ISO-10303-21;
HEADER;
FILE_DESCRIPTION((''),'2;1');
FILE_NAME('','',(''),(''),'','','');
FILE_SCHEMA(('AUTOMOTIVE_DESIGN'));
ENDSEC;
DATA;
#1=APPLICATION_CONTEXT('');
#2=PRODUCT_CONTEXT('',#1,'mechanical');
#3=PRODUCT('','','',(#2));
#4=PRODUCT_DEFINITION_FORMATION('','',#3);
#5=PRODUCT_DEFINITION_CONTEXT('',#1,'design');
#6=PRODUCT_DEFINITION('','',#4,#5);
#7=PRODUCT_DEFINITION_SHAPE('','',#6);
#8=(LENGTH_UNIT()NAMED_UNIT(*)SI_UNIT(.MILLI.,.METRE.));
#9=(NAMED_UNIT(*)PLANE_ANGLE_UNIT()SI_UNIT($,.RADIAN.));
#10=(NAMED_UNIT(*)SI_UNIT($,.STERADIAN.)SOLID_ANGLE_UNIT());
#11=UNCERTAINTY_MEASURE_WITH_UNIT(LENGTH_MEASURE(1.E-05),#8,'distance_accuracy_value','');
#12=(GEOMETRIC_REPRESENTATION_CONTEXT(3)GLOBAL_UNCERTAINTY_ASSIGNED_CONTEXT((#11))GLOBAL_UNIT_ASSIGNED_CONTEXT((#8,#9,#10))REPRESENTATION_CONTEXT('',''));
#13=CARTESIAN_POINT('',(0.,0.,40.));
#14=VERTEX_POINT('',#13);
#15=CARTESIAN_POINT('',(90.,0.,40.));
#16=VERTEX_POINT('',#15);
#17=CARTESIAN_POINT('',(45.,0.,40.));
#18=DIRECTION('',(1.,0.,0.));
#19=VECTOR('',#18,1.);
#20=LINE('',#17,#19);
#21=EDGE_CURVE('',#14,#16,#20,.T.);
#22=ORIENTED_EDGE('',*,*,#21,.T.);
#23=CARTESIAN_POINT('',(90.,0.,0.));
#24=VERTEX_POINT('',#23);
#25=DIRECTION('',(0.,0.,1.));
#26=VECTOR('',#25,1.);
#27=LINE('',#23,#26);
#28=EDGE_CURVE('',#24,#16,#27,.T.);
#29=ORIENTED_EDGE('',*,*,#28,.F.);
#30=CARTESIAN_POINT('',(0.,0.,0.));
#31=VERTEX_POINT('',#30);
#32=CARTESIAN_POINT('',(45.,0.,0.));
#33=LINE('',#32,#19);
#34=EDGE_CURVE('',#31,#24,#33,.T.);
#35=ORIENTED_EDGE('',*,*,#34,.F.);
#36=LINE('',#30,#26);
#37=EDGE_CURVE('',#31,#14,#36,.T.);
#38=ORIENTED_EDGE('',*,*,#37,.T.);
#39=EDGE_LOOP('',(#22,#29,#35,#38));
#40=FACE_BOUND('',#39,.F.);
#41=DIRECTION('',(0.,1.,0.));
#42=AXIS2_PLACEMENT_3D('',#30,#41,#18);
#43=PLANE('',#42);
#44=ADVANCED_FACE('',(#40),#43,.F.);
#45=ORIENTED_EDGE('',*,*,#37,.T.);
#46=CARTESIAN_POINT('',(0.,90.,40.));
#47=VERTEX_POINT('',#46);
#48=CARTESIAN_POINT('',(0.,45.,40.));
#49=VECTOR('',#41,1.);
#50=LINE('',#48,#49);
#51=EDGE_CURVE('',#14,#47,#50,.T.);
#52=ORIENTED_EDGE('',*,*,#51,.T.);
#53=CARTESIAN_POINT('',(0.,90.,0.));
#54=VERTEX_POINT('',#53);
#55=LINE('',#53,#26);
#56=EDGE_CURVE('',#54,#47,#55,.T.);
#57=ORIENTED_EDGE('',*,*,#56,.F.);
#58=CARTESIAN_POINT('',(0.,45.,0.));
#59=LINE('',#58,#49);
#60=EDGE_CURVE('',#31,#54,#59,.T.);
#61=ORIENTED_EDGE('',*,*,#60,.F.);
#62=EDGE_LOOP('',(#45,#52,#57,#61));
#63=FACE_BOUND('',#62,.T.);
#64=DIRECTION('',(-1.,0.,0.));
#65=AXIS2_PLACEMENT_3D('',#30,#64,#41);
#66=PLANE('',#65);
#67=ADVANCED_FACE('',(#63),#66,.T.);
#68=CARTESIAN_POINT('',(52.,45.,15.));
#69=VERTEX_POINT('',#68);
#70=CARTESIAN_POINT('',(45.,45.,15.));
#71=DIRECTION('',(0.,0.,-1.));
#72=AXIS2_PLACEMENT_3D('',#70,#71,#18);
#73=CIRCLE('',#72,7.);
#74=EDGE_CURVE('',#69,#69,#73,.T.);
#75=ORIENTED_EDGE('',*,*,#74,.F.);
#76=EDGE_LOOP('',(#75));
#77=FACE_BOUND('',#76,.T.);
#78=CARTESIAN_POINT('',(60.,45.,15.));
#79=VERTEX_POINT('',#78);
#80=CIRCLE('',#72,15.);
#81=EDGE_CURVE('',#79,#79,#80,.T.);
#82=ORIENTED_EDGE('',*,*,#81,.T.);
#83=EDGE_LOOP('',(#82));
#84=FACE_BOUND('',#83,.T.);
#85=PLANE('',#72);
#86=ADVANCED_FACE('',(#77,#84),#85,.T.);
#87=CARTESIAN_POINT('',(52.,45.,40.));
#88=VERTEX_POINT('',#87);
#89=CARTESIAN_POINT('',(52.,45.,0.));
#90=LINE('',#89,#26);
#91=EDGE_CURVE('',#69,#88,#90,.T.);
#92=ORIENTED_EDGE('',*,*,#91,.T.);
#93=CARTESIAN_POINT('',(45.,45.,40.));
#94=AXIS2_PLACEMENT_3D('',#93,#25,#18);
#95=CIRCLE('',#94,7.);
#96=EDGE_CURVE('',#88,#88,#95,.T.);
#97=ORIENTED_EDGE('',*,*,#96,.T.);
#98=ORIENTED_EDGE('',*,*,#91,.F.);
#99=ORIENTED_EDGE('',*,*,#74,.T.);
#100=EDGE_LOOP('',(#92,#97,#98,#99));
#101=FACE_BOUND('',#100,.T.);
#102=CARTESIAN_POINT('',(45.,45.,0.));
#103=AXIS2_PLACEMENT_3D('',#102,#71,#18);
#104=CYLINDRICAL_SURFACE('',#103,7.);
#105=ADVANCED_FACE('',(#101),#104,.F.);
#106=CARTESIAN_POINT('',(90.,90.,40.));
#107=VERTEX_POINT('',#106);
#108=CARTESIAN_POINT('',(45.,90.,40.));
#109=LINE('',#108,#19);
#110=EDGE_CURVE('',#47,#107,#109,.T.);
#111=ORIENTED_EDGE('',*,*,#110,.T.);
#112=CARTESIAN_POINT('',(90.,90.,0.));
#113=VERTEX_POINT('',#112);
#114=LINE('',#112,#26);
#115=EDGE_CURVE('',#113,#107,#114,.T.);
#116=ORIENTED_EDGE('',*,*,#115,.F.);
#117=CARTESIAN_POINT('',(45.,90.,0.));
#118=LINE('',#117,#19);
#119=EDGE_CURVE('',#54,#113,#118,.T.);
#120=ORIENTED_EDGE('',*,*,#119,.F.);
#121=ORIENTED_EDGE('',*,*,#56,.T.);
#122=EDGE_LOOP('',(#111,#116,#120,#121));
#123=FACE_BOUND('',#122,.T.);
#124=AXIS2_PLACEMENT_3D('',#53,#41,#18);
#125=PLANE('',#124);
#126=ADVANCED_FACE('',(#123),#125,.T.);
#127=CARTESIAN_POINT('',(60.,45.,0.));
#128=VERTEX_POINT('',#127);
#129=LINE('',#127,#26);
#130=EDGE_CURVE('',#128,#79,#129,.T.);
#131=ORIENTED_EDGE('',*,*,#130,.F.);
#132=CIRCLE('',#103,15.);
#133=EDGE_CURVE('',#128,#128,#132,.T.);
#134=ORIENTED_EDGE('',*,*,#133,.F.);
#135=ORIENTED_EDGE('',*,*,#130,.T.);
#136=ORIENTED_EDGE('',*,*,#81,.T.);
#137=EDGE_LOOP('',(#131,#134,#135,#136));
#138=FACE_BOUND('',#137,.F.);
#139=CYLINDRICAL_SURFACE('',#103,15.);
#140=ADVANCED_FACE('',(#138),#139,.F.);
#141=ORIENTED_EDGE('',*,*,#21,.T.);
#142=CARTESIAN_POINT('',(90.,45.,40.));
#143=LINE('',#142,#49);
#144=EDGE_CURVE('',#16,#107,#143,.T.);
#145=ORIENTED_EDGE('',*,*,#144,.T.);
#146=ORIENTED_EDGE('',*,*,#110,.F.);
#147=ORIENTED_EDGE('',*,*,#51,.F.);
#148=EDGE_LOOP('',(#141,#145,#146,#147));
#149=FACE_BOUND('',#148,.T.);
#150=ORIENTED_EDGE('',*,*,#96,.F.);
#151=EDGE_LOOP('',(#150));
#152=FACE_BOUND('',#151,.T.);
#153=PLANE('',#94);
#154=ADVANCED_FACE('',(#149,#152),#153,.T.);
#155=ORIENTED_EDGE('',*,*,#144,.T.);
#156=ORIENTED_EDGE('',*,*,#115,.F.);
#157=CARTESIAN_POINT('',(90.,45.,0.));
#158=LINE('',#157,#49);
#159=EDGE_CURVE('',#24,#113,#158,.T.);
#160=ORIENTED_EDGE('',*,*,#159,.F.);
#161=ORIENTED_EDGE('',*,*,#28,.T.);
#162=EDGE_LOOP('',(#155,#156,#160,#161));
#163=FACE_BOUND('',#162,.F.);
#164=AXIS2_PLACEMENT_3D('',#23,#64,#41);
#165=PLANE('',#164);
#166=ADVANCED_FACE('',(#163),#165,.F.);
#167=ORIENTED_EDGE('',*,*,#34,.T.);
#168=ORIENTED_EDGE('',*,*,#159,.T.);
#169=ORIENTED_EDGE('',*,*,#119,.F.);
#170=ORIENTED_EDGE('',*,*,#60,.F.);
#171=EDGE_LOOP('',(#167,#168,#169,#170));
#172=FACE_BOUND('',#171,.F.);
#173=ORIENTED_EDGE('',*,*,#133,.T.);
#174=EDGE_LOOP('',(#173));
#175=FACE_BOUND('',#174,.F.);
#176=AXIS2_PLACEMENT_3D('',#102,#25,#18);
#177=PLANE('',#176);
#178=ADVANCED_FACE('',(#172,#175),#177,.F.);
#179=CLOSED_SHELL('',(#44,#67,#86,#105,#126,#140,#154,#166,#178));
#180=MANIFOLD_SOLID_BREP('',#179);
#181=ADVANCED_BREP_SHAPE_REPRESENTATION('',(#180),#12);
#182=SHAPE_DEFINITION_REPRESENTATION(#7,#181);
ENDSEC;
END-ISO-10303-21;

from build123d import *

# Parameters (mm, degrees)
F0_W     = 90
F0_H     = 90
F0_R     = 7
F1_DEPTH = 40
F2_R     = 15
F3_DEPTH = 15


with BuildPart() as f1:
    # F0 (on Top) → F1 (new body)
    with BuildSketch(Plane.XY):
        with Locations((45, 45)):
            Rectangle(F0_W, F0_H)
        with Locations((45, 45)):
            Circle(F0_R, mode=Mode.SUBTRACT)
    extrude(amount=F1_DEPTH)

    # F2 (on face) → F3 (cut)
    with BuildSketch(Plane(origin=(0, 0, 0), x_dir=(1, 0, 0), z_dir=(0, 0, -1))):
        with Locations((45, -45)):
            Circle(F2_R)
    extrude(amount=-F3_DEPTH, mode=Mode.SUBTRACT)


solid = f1.part
